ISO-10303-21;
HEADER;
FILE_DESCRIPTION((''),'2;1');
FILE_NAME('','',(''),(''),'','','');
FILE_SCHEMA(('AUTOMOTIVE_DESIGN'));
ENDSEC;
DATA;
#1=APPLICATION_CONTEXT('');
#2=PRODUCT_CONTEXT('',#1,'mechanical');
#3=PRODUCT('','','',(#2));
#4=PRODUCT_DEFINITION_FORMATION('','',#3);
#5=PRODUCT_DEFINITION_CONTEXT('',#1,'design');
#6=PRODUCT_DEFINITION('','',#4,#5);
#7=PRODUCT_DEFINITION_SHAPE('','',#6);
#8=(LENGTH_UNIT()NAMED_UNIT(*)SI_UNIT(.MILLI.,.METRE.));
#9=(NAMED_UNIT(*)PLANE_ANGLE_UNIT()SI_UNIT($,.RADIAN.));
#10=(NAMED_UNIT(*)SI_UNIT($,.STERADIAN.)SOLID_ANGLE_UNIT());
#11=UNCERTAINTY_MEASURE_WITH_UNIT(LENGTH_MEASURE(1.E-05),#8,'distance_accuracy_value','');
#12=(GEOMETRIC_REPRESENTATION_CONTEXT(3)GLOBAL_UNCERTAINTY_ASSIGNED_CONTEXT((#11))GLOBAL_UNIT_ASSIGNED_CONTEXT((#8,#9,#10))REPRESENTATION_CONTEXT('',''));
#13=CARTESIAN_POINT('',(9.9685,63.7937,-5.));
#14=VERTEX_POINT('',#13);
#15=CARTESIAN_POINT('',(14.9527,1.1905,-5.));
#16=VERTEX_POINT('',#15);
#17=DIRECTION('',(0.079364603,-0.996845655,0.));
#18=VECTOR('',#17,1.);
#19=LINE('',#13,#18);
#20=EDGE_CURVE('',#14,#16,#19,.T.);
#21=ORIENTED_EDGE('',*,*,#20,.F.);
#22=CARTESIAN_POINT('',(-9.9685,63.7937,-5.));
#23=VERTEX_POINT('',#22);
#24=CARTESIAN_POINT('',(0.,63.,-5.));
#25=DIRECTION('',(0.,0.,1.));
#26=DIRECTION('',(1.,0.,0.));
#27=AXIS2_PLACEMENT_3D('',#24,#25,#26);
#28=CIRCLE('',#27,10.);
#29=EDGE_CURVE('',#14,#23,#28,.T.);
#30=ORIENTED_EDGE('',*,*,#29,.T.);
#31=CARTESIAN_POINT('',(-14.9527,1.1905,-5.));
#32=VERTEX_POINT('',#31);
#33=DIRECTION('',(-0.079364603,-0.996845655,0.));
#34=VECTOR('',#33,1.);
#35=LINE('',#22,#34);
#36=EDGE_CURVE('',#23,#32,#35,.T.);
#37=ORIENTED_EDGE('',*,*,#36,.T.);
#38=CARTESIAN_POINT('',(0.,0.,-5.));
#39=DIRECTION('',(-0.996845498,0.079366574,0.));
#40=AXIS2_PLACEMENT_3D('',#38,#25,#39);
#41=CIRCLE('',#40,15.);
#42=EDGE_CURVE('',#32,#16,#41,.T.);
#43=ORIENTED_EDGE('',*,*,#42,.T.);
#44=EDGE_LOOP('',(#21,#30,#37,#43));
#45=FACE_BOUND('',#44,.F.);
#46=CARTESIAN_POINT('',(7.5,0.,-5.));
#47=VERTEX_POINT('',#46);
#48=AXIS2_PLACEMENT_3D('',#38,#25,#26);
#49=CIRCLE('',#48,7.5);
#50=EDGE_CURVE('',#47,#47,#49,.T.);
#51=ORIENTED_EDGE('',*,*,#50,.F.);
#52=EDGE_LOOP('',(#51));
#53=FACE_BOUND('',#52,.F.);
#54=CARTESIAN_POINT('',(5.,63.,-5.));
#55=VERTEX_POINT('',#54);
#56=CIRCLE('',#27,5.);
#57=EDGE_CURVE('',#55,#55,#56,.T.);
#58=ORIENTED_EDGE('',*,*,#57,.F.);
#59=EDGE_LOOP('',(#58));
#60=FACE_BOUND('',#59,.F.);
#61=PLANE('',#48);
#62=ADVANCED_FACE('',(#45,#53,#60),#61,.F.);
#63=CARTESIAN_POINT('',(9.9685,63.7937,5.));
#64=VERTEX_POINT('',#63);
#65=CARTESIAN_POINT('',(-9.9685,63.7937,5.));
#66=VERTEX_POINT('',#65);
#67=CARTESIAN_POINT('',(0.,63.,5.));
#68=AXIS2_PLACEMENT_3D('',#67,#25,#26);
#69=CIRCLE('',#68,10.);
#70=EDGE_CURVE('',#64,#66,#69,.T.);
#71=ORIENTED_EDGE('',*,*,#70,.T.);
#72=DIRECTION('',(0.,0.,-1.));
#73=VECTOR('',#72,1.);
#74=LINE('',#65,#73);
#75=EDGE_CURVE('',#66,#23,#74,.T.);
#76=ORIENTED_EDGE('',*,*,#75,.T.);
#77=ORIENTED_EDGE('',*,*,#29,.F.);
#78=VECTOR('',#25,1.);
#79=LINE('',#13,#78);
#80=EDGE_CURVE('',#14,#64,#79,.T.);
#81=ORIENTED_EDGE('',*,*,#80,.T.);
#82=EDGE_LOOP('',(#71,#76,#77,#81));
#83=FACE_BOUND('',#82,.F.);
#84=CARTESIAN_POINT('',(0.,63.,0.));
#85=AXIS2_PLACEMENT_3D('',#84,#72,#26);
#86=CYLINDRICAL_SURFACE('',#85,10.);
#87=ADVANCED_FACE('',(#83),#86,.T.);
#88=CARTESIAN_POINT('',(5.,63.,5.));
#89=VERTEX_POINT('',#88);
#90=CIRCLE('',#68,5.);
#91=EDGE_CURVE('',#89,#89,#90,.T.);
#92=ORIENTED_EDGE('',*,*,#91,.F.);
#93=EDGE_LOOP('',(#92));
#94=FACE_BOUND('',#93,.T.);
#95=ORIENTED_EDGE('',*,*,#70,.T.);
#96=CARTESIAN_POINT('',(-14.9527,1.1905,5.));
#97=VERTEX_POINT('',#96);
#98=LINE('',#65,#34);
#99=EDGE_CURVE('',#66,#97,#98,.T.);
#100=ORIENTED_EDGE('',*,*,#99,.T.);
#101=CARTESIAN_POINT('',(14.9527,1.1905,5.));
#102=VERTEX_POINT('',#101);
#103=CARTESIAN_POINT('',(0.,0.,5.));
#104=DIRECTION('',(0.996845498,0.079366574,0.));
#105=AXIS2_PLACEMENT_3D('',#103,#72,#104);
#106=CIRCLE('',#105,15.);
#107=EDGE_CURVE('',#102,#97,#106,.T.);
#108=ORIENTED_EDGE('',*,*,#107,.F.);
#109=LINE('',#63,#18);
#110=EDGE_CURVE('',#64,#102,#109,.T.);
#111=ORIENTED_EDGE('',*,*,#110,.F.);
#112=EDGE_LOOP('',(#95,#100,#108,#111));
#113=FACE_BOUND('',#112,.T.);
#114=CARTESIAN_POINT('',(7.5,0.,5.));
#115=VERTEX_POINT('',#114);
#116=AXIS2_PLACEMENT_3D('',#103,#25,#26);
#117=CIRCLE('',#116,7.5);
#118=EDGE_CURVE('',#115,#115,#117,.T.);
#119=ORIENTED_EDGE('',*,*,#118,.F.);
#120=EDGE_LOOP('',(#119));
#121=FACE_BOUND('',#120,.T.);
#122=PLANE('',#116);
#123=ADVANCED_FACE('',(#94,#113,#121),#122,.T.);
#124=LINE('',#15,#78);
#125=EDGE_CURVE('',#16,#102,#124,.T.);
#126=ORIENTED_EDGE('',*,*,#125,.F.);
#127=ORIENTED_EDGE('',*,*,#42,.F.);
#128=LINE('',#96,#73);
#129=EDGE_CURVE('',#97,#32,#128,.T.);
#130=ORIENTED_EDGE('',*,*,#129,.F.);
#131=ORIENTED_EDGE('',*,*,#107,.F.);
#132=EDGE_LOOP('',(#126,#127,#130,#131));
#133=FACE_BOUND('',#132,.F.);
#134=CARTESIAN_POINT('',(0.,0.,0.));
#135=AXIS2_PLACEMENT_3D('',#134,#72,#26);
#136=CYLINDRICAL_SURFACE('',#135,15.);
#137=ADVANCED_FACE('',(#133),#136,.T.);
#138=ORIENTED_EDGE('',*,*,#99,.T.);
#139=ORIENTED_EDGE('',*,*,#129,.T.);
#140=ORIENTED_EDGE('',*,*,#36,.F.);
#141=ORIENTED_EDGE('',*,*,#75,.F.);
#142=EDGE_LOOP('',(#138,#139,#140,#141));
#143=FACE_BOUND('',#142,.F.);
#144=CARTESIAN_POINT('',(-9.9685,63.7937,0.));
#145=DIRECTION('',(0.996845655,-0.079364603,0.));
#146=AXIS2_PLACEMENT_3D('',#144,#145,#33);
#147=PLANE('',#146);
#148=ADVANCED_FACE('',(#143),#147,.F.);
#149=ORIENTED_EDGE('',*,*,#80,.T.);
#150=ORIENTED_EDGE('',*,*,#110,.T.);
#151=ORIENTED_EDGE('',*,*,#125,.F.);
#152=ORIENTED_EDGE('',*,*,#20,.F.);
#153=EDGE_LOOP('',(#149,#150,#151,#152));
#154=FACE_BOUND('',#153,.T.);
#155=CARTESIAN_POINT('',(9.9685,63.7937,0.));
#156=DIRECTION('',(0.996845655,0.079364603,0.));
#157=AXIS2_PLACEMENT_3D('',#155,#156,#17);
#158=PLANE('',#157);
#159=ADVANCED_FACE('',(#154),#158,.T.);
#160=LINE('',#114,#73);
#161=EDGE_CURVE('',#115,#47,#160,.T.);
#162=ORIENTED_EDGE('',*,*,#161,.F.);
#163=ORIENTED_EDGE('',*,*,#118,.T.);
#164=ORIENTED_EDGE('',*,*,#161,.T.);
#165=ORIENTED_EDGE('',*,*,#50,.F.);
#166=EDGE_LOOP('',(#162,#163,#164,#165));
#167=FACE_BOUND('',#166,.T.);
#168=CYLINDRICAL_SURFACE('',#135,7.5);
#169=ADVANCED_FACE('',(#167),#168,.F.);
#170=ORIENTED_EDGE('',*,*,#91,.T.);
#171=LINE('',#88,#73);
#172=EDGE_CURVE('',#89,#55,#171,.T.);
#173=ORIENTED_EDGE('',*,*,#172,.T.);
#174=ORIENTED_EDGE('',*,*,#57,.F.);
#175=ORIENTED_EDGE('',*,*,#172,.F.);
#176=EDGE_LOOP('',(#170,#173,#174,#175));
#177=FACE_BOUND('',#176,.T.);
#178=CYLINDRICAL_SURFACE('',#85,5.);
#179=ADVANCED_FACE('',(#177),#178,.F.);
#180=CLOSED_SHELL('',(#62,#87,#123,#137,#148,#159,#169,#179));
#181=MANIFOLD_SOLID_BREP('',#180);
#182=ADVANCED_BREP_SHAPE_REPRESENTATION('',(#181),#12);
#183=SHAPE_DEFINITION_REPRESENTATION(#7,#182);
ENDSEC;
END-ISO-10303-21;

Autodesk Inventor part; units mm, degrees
ref_plane "YZ Plane" through (0, 0, 0) normal (1, 0, 0) x (0, 1, 0)
ref_plane "XZ Plane" through (0, 0, 0) normal (0, 1, 0) x (-1, 0, 0)
ref_plane "XY Plane" through (0, 0, 0) normal (0, 0, 1) x (1, 0, 0)
sketch "Sketch1" plane through (0, 0, 0) normal (0, 0, 1) x (1, 0, 0)
  circle A0 centre (0, 0) radius 7.5
  circle A1 centre (0, 63) radius 5
  circle A2 centre (0, 0) radius 15
  circle A3 centre (0, 63) radius 10
  line L0 (-9.9685, 63.7937) -> (-14.9527, 1.1905)
  line L1 (9.9685, 63.7937) -> (14.9527, 1.1905)
  dimension "d0" = 63
  dimension "d1" = 30
  dimension "d2" = 20
  dimension "d3" = 10
  dimension "d4" = 15
extrude "Extrusion1" add sketch "Sketch1" along normal mid plane 10
properties part number "Eslabón 2" material "Stainless Steel"
